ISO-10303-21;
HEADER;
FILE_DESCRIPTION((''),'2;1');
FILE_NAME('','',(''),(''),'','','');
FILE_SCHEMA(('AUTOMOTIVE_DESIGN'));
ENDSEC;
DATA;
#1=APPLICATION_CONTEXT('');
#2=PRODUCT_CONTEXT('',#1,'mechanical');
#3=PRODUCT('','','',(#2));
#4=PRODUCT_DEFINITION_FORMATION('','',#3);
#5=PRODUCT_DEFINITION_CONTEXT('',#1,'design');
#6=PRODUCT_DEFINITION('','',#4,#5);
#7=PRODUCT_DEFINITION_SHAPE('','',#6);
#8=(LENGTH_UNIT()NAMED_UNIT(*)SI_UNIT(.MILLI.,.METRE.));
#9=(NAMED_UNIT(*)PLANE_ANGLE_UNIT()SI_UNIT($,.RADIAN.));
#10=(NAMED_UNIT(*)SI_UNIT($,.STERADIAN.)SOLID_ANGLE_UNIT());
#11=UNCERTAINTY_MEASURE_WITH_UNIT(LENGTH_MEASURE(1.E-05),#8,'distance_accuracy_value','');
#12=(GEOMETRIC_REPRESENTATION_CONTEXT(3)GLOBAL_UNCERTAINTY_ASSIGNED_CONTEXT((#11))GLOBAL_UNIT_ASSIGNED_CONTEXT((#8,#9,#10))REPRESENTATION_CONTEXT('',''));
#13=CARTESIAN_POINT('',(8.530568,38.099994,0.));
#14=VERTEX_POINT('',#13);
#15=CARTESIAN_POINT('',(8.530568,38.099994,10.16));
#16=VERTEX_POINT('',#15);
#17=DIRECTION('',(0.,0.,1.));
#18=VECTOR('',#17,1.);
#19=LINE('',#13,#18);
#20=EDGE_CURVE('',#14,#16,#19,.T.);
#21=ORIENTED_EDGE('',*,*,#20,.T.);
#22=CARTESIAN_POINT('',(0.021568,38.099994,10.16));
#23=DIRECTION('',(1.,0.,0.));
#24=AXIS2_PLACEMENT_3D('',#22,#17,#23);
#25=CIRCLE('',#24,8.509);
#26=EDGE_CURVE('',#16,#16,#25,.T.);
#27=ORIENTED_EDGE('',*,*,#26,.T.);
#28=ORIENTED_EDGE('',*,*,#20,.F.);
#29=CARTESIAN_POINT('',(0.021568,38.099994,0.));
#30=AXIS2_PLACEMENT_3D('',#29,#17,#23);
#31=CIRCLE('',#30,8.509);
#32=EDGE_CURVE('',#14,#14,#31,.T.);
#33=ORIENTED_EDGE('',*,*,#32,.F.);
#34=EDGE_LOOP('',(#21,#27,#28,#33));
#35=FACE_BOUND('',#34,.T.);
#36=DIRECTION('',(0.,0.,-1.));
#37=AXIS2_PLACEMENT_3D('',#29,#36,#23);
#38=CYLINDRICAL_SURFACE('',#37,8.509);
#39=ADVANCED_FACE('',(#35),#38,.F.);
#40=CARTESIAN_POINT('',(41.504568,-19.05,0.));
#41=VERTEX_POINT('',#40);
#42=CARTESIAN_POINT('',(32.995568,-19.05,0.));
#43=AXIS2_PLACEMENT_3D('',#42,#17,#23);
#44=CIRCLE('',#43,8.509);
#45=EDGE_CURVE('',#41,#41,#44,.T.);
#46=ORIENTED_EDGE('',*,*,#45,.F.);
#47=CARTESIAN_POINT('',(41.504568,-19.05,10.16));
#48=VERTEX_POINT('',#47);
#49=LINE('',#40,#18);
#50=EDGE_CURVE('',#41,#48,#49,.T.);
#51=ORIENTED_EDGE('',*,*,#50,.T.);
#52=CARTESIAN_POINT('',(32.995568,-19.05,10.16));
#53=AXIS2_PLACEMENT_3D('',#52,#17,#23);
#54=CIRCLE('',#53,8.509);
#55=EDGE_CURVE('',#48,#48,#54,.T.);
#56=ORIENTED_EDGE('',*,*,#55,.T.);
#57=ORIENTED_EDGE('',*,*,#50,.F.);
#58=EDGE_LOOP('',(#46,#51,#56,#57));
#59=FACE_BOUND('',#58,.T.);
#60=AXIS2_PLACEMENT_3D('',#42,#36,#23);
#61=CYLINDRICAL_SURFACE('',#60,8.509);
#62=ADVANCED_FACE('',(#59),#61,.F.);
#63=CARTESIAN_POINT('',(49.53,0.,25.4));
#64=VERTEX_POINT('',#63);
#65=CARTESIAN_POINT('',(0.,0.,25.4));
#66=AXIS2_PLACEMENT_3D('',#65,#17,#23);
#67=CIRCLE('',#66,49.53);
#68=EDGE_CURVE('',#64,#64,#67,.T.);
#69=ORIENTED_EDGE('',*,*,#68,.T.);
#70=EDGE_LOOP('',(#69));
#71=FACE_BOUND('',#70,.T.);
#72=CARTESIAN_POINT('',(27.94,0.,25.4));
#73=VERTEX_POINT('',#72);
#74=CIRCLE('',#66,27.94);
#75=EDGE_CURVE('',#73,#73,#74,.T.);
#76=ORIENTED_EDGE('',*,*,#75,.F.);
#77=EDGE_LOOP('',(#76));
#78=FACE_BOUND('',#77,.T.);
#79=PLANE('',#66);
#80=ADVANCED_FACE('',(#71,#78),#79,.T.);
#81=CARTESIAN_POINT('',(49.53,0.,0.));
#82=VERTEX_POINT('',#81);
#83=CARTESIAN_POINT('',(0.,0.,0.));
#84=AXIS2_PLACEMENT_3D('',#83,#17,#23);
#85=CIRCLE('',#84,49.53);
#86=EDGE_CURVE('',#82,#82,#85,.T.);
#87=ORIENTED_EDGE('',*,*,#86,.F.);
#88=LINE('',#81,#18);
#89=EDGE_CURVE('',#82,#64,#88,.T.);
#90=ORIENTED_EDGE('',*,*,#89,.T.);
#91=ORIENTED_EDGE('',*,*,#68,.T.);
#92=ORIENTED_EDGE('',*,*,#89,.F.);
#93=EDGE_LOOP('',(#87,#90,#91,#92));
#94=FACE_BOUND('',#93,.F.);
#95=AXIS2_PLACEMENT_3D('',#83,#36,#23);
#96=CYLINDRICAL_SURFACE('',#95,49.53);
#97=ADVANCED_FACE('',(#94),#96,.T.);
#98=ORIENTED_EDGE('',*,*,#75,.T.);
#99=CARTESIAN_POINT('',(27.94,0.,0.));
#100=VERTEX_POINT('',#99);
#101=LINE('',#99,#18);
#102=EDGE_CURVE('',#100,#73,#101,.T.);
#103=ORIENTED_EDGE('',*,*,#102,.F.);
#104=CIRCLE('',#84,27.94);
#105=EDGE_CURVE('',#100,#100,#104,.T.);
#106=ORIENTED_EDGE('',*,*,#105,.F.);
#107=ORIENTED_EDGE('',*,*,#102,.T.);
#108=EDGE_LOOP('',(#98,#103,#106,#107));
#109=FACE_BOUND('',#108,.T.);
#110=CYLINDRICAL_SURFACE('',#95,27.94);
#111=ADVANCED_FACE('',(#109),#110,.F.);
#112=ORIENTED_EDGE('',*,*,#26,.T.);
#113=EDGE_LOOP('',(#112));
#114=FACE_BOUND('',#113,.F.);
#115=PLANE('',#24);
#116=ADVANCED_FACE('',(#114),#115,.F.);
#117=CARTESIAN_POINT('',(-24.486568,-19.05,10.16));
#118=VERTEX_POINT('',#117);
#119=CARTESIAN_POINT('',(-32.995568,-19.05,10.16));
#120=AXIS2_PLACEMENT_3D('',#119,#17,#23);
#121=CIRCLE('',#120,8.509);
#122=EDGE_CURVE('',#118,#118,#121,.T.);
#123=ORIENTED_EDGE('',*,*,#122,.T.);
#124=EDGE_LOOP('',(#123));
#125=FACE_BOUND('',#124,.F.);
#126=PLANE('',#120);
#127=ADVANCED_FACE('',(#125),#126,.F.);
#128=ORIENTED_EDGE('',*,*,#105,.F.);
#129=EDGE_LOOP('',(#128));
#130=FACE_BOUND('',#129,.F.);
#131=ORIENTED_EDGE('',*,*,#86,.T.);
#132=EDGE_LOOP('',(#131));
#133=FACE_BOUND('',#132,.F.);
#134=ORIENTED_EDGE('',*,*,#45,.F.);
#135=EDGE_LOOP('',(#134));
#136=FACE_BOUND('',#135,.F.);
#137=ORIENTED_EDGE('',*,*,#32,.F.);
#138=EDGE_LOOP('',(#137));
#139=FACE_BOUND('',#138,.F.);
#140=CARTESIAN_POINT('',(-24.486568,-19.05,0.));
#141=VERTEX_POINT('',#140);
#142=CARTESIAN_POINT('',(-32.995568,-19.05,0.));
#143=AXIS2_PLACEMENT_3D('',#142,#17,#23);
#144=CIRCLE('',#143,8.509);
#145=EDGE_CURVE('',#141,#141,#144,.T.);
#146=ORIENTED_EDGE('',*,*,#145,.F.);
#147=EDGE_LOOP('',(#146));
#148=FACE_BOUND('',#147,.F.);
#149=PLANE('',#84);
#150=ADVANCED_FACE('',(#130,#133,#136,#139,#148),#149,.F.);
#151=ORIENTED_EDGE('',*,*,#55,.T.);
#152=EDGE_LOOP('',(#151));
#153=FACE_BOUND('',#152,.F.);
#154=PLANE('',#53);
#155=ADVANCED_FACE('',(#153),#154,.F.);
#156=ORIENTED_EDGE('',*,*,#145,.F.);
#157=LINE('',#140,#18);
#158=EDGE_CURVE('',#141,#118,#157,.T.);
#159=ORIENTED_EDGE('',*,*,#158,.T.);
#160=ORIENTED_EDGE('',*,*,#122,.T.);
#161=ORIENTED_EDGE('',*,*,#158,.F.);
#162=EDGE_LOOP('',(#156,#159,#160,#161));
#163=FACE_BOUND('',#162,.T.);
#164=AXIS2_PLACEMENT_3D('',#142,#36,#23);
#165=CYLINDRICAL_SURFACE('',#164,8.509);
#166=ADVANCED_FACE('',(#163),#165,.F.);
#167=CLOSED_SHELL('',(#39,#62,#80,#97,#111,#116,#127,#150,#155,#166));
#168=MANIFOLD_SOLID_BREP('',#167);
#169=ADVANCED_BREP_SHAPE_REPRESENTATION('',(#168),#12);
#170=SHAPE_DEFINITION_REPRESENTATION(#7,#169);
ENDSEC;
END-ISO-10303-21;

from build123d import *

# Parameters (mm, degrees)
F0_R        = 49.53
F0_R_2      = 8.509
F0_R_3      = 27.94
F1_DEPTH    = 25.4
F1_FACE_R   = 49.53
F1_FACE_R_2 = 27.94
F2_DEPTH    = 10.16


with BuildPart() as f1:
    # F0 (on Top) → F1 (new body)
    with BuildSketch(Plane.XY):
        Circle(F0_R)
        with Locations((-32.9955678842, -19.05)):
            Circle(F0_R_2, mode=Mode.SUBTRACT)
        Circle(F0_R_3, mode=Mode.SUBTRACT)
        with Locations((32.9955678842, -19.05)):
            Circle(F0_R_2, mode=Mode.SUBTRACT)
        with Locations((0.0215684675, 38.0999937206)):
            Circle(F0_R_2, mode=Mode.SUBTRACT)
        with Locations((0.0215684675, 38.0999937206)):
            Circle(F0_R_2)
        with Locations((-32.9955678842, -19.05)):
            Circle(F0_R_2)
        with Locations((32.9955678842, -19.05)):
            Circle(F0_R_2)
    extrude(amount=F1_DEPTH)

    # F1_face (on face) + F0 (on Top) → F2 (cut)
    with BuildSketch(Plane.XY.offset(25.4)):
        Circle(F1_FACE_R)
        Circle(F1_FACE_R_2, mode=Mode.SUBTRACT)
    with BuildSketch(Plane.XY):
        with Locations((0.0215684675, 38.0999937206)):
            Circle(F0_R_2)
        with Locations((-32.9955678842, -19.05)):
            Circle(F0_R_2)
        with Locations((32.9955678842, -19.05)):
            Circle(F0_R_2)
    extrude(amount=F2_DEPTH, mode=Mode.SUBTRACT)


solid = f1.part
